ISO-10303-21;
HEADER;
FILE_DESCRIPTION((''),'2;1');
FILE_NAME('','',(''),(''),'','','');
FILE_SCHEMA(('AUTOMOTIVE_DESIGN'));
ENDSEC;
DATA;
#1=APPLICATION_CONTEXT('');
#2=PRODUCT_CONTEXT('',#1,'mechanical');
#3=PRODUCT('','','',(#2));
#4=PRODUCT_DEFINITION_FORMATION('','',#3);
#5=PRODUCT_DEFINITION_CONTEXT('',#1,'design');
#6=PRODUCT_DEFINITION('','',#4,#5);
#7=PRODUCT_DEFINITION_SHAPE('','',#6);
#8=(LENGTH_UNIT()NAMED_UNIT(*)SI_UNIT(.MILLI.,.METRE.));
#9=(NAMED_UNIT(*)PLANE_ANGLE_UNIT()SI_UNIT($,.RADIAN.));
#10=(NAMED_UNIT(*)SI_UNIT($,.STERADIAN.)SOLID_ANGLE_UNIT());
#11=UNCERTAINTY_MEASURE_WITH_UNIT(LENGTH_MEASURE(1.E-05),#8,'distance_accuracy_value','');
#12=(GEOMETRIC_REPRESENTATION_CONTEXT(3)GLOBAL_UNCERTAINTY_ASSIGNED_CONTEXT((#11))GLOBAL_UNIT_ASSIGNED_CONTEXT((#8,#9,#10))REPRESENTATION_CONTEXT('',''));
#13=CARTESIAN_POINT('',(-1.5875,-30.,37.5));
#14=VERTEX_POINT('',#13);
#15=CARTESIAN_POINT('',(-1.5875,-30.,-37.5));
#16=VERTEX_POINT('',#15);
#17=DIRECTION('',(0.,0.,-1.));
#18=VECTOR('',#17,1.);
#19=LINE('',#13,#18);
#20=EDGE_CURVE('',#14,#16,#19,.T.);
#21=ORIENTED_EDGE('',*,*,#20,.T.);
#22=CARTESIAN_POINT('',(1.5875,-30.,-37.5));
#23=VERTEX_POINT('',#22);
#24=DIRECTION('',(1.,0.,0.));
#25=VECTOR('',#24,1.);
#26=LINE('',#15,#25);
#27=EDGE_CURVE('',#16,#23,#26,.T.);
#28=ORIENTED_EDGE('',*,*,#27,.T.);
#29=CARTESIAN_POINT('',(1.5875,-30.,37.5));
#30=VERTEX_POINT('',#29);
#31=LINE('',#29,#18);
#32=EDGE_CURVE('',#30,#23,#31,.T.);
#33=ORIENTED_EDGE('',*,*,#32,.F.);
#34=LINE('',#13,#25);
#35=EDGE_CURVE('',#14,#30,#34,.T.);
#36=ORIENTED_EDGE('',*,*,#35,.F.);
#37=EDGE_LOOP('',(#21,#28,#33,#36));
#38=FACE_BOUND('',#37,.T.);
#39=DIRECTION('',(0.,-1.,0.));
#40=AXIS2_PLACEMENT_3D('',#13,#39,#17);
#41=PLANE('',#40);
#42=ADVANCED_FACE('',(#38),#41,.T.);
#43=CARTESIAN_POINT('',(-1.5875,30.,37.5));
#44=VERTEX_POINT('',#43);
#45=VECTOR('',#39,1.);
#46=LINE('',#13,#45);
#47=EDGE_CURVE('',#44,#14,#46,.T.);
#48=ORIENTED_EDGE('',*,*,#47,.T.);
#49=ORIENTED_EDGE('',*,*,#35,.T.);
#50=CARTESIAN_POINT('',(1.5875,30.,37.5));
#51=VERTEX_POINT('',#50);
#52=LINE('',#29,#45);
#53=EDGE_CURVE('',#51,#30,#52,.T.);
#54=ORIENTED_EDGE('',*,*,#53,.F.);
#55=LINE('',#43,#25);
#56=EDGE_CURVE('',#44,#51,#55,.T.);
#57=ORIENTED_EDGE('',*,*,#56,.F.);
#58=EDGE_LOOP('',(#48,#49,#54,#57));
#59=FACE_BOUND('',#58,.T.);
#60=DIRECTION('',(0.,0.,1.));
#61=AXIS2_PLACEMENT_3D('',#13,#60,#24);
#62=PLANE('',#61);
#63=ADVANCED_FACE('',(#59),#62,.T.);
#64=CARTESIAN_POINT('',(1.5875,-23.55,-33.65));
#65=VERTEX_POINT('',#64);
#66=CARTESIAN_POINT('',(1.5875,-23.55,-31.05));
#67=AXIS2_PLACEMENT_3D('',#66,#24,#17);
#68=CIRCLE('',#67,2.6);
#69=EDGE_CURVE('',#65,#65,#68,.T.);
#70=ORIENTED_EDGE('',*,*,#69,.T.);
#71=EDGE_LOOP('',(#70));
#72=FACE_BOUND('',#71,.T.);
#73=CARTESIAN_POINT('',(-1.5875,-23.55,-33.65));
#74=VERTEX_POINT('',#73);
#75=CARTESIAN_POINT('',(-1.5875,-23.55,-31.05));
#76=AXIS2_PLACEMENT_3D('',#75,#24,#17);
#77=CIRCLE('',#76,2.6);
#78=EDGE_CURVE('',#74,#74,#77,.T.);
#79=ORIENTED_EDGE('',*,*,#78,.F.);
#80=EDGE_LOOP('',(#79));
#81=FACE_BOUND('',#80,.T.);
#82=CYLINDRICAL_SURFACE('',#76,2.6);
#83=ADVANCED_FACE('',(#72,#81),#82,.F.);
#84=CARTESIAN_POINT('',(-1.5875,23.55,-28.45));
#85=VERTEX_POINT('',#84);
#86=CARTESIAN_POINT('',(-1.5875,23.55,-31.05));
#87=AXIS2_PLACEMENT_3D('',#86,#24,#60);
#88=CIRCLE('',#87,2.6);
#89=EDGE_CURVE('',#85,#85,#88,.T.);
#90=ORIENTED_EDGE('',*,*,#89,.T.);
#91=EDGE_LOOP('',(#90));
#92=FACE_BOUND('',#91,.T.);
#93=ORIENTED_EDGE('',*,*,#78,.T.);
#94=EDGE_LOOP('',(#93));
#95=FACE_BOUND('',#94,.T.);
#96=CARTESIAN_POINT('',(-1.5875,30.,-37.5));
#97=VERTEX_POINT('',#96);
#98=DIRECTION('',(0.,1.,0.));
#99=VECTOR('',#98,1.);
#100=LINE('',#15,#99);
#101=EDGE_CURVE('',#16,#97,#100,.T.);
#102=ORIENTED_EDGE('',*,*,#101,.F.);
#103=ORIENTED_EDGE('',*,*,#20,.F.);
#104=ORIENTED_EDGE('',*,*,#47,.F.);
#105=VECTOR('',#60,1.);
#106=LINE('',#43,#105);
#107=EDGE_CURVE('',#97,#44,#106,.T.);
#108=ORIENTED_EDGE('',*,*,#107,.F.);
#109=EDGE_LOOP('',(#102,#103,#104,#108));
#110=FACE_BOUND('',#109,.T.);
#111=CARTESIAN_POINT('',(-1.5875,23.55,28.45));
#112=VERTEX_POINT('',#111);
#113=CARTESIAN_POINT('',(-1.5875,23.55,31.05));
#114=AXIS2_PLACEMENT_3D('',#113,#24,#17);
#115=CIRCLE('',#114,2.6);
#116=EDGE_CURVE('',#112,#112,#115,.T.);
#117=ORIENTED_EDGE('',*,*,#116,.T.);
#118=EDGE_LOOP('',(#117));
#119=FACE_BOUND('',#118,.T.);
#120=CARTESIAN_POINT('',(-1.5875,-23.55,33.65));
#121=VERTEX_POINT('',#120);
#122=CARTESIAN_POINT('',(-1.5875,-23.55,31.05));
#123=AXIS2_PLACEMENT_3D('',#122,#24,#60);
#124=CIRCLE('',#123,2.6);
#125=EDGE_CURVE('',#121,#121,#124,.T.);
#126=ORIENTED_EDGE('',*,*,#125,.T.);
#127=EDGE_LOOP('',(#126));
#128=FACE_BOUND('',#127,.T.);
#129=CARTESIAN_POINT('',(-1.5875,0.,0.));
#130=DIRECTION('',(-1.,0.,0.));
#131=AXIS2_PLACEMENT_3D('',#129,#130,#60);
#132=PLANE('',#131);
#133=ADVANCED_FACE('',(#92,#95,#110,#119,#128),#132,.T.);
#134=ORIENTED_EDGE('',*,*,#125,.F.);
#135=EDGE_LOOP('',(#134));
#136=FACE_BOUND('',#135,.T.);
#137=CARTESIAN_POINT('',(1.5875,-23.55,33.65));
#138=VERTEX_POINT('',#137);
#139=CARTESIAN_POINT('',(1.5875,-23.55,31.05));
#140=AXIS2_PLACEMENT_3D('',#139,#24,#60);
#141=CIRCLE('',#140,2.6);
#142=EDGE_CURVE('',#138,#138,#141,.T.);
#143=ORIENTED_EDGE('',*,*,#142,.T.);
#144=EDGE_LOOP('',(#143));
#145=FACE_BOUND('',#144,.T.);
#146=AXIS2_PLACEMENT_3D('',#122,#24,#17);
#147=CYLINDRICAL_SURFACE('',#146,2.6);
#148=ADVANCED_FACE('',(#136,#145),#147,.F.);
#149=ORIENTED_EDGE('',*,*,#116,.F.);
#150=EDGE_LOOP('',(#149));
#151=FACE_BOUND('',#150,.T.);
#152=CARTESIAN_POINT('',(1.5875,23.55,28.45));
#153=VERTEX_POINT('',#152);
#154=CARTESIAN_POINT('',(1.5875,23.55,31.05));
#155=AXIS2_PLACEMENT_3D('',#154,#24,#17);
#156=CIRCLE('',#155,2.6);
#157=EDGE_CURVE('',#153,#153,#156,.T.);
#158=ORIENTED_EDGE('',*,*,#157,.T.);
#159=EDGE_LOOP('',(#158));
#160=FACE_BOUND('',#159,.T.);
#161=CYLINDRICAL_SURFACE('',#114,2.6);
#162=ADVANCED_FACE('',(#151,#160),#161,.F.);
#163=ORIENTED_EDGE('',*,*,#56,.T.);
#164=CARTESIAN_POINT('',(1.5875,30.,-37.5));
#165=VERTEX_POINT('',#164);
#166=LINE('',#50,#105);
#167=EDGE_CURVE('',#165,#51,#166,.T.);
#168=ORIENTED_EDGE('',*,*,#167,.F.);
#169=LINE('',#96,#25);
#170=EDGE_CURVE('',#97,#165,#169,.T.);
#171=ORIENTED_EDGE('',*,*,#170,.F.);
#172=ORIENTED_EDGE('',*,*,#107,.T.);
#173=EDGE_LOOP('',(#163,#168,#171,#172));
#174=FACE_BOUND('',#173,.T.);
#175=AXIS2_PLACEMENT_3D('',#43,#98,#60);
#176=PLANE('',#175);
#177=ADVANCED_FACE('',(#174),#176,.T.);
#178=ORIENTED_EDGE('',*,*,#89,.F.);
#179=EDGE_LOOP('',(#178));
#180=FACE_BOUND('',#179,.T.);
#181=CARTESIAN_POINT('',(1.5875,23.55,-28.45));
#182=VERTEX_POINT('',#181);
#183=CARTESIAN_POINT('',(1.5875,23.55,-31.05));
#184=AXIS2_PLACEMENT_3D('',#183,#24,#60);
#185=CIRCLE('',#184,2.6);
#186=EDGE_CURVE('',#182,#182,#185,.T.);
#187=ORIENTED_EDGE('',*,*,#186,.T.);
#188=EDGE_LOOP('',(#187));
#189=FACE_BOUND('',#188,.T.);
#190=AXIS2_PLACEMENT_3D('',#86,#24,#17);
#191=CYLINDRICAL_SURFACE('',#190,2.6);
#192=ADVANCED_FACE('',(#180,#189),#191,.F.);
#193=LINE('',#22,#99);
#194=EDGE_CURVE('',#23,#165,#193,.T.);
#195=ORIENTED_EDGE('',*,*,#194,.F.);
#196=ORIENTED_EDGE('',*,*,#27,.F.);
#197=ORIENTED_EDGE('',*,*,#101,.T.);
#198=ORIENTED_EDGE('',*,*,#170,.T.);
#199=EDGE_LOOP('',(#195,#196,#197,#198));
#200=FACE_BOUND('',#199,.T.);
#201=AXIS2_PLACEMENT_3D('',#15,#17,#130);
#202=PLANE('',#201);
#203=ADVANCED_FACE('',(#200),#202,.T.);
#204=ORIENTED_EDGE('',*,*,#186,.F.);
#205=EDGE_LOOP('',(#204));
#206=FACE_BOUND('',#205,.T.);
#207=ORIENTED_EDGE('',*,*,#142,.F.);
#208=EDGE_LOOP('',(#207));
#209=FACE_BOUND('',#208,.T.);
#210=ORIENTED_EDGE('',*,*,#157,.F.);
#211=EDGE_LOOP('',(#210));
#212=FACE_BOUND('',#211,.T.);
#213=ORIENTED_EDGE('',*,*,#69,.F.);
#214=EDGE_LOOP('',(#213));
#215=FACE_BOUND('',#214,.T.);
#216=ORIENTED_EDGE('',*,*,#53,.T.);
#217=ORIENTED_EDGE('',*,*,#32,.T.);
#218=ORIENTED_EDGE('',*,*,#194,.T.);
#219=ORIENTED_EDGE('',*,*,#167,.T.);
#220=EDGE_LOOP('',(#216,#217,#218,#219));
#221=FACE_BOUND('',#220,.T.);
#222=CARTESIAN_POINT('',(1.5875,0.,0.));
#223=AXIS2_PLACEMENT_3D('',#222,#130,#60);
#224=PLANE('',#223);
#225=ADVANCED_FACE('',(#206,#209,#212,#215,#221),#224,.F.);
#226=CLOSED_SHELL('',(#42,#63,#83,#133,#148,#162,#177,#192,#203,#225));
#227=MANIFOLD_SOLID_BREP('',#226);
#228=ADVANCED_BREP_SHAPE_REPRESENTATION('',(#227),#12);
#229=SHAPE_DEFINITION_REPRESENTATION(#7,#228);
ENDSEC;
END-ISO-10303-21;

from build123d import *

# Parameters (mm, degrees)
BOSS_EXTRUDE1_DEPTH      = 1.5875
BOSS_EXTRUDE1_DEPTH_BACK = 1.5875
SKETCH1_W                = 75
SKETCH1_H                = 60
CUT_EXTRUDE1_DEPTH       = 49.049663435
CUT_EXTRUDE1_DEPTH_BACK  = 49.049663435
SKETCH2_R                = 2.6


with BuildPart() as part:
    # Sketch1 → Boss-Extrude1 (new, two sides: drawn at the far end of the back side and taken through both)
    with BuildSketch(Plane(origin=(0, 0, 0), x_dir=(0, 0, -1), z_dir=(1, 0, 0)).offset(-BOSS_EXTRUDE1_DEPTH_BACK)):
        Rectangle(SKETCH1_W, SKETCH1_H)
    extrude(amount=BOSS_EXTRUDE1_DEPTH + BOSS_EXTRUDE1_DEPTH_BACK)

    # Sketch2 → Cut-Extrude1 (cut, two sides: drawn at the far end of the back side and taken through both)
    with BuildSketch(Plane(origin=(0, 0, 0), x_dir=(0, 0, -1), z_dir=(1, 0, 0)).offset(-CUT_EXTRUDE1_DEPTH_BACK)):
        with Locations((-31.05, 23.55)):
            Circle(SKETCH2_R)
        with Locations((31.05, 23.55)):
            Circle(SKETCH2_R)
        with Locations((31.05, -23.55)):
            Circle(SKETCH2_R)
        with Locations((-31.05, -23.55)):
            Circle(SKETCH2_R)
    extrude(amount=CUT_EXTRUDE1_DEPTH + CUT_EXTRUDE1_DEPTH_BACK, mode=Mode.SUBTRACT)


solid = part.part
